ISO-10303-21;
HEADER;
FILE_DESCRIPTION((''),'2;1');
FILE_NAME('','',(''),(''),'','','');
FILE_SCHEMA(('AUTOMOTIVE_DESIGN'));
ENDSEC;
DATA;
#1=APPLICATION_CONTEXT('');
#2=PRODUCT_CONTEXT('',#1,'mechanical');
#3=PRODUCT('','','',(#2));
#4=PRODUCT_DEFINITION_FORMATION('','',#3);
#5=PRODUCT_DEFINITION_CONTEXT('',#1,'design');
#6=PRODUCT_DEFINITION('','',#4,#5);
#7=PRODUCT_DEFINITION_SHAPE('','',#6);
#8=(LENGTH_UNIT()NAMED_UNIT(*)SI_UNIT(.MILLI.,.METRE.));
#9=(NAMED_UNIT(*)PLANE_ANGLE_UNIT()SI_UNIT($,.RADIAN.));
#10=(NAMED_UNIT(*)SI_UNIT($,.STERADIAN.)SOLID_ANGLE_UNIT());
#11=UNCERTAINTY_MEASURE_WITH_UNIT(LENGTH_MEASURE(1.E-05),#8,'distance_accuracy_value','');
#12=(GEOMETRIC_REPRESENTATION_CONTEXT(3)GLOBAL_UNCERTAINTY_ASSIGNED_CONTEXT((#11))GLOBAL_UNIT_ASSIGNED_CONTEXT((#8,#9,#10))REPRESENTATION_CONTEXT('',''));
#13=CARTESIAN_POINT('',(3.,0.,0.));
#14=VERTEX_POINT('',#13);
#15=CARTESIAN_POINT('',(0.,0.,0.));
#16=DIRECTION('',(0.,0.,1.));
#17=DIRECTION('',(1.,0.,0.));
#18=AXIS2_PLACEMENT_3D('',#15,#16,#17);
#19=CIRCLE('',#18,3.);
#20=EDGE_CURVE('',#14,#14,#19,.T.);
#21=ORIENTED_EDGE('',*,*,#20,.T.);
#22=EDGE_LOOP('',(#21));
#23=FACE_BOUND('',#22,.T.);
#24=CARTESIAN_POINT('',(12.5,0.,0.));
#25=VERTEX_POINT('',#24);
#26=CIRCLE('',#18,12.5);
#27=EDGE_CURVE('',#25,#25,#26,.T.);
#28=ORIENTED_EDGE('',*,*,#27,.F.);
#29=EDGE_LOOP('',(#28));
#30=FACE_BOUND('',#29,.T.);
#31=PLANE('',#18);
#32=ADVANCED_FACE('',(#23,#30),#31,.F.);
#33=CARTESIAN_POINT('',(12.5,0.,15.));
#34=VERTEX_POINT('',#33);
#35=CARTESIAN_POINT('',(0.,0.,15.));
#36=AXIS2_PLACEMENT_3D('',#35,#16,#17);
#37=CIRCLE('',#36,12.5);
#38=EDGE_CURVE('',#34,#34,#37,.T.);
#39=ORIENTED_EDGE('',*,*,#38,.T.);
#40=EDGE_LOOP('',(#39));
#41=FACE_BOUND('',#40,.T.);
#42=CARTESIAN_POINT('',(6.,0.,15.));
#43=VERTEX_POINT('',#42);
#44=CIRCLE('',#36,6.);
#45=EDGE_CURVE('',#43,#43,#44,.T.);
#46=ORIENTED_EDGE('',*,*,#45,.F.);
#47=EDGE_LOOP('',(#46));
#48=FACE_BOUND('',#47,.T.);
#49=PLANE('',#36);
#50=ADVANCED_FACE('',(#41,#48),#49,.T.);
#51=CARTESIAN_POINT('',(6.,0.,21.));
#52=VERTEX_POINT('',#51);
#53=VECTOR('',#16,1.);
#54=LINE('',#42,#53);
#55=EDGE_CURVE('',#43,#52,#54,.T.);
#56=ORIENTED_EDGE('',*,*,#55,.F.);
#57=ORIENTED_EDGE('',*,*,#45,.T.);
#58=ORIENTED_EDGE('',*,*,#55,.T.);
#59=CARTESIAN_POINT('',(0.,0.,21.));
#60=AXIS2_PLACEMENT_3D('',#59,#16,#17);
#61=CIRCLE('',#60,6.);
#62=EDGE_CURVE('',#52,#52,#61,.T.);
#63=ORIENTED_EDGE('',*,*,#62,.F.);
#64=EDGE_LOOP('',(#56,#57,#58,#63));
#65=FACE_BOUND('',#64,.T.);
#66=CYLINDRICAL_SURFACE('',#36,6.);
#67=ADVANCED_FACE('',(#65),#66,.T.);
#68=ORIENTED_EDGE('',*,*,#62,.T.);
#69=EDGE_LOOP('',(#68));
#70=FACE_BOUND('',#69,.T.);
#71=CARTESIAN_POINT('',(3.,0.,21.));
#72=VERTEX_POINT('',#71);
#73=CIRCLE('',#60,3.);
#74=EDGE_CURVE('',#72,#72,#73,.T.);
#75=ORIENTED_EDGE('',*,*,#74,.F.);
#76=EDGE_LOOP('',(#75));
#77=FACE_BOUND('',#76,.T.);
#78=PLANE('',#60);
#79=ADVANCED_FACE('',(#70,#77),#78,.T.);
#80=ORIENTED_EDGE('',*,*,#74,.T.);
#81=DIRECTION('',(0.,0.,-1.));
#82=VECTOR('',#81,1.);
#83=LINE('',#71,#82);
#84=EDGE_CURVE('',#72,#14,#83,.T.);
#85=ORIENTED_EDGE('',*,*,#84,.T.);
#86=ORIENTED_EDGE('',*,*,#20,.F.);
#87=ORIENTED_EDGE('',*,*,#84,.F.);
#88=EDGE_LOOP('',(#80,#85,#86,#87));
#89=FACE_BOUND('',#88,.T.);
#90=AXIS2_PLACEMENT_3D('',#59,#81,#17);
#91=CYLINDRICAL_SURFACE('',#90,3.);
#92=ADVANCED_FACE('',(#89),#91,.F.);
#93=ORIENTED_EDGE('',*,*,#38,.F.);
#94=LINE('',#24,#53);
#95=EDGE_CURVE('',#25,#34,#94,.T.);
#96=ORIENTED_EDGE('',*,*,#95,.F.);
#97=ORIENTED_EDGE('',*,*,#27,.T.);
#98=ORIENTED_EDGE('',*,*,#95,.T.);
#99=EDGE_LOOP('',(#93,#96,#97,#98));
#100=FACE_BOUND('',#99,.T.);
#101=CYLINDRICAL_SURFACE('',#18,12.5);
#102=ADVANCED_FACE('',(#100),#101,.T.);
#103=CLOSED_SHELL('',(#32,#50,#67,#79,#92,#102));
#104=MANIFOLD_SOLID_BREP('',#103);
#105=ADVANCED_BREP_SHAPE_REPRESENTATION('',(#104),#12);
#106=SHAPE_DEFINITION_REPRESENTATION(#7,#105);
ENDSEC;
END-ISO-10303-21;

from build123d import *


with BuildPart() as part:
    # Sketch → Revolution (revolve)
    with BuildSketch(Plane.XZ):
        Polygon((3, 0), (12.5, 0), (12.5, 15), (6, 15), (6, 21), (3, 21), align=None)
    revolve(axis=Axis((0, 0, 0), (0, 0, 1)))


solid = part.part
